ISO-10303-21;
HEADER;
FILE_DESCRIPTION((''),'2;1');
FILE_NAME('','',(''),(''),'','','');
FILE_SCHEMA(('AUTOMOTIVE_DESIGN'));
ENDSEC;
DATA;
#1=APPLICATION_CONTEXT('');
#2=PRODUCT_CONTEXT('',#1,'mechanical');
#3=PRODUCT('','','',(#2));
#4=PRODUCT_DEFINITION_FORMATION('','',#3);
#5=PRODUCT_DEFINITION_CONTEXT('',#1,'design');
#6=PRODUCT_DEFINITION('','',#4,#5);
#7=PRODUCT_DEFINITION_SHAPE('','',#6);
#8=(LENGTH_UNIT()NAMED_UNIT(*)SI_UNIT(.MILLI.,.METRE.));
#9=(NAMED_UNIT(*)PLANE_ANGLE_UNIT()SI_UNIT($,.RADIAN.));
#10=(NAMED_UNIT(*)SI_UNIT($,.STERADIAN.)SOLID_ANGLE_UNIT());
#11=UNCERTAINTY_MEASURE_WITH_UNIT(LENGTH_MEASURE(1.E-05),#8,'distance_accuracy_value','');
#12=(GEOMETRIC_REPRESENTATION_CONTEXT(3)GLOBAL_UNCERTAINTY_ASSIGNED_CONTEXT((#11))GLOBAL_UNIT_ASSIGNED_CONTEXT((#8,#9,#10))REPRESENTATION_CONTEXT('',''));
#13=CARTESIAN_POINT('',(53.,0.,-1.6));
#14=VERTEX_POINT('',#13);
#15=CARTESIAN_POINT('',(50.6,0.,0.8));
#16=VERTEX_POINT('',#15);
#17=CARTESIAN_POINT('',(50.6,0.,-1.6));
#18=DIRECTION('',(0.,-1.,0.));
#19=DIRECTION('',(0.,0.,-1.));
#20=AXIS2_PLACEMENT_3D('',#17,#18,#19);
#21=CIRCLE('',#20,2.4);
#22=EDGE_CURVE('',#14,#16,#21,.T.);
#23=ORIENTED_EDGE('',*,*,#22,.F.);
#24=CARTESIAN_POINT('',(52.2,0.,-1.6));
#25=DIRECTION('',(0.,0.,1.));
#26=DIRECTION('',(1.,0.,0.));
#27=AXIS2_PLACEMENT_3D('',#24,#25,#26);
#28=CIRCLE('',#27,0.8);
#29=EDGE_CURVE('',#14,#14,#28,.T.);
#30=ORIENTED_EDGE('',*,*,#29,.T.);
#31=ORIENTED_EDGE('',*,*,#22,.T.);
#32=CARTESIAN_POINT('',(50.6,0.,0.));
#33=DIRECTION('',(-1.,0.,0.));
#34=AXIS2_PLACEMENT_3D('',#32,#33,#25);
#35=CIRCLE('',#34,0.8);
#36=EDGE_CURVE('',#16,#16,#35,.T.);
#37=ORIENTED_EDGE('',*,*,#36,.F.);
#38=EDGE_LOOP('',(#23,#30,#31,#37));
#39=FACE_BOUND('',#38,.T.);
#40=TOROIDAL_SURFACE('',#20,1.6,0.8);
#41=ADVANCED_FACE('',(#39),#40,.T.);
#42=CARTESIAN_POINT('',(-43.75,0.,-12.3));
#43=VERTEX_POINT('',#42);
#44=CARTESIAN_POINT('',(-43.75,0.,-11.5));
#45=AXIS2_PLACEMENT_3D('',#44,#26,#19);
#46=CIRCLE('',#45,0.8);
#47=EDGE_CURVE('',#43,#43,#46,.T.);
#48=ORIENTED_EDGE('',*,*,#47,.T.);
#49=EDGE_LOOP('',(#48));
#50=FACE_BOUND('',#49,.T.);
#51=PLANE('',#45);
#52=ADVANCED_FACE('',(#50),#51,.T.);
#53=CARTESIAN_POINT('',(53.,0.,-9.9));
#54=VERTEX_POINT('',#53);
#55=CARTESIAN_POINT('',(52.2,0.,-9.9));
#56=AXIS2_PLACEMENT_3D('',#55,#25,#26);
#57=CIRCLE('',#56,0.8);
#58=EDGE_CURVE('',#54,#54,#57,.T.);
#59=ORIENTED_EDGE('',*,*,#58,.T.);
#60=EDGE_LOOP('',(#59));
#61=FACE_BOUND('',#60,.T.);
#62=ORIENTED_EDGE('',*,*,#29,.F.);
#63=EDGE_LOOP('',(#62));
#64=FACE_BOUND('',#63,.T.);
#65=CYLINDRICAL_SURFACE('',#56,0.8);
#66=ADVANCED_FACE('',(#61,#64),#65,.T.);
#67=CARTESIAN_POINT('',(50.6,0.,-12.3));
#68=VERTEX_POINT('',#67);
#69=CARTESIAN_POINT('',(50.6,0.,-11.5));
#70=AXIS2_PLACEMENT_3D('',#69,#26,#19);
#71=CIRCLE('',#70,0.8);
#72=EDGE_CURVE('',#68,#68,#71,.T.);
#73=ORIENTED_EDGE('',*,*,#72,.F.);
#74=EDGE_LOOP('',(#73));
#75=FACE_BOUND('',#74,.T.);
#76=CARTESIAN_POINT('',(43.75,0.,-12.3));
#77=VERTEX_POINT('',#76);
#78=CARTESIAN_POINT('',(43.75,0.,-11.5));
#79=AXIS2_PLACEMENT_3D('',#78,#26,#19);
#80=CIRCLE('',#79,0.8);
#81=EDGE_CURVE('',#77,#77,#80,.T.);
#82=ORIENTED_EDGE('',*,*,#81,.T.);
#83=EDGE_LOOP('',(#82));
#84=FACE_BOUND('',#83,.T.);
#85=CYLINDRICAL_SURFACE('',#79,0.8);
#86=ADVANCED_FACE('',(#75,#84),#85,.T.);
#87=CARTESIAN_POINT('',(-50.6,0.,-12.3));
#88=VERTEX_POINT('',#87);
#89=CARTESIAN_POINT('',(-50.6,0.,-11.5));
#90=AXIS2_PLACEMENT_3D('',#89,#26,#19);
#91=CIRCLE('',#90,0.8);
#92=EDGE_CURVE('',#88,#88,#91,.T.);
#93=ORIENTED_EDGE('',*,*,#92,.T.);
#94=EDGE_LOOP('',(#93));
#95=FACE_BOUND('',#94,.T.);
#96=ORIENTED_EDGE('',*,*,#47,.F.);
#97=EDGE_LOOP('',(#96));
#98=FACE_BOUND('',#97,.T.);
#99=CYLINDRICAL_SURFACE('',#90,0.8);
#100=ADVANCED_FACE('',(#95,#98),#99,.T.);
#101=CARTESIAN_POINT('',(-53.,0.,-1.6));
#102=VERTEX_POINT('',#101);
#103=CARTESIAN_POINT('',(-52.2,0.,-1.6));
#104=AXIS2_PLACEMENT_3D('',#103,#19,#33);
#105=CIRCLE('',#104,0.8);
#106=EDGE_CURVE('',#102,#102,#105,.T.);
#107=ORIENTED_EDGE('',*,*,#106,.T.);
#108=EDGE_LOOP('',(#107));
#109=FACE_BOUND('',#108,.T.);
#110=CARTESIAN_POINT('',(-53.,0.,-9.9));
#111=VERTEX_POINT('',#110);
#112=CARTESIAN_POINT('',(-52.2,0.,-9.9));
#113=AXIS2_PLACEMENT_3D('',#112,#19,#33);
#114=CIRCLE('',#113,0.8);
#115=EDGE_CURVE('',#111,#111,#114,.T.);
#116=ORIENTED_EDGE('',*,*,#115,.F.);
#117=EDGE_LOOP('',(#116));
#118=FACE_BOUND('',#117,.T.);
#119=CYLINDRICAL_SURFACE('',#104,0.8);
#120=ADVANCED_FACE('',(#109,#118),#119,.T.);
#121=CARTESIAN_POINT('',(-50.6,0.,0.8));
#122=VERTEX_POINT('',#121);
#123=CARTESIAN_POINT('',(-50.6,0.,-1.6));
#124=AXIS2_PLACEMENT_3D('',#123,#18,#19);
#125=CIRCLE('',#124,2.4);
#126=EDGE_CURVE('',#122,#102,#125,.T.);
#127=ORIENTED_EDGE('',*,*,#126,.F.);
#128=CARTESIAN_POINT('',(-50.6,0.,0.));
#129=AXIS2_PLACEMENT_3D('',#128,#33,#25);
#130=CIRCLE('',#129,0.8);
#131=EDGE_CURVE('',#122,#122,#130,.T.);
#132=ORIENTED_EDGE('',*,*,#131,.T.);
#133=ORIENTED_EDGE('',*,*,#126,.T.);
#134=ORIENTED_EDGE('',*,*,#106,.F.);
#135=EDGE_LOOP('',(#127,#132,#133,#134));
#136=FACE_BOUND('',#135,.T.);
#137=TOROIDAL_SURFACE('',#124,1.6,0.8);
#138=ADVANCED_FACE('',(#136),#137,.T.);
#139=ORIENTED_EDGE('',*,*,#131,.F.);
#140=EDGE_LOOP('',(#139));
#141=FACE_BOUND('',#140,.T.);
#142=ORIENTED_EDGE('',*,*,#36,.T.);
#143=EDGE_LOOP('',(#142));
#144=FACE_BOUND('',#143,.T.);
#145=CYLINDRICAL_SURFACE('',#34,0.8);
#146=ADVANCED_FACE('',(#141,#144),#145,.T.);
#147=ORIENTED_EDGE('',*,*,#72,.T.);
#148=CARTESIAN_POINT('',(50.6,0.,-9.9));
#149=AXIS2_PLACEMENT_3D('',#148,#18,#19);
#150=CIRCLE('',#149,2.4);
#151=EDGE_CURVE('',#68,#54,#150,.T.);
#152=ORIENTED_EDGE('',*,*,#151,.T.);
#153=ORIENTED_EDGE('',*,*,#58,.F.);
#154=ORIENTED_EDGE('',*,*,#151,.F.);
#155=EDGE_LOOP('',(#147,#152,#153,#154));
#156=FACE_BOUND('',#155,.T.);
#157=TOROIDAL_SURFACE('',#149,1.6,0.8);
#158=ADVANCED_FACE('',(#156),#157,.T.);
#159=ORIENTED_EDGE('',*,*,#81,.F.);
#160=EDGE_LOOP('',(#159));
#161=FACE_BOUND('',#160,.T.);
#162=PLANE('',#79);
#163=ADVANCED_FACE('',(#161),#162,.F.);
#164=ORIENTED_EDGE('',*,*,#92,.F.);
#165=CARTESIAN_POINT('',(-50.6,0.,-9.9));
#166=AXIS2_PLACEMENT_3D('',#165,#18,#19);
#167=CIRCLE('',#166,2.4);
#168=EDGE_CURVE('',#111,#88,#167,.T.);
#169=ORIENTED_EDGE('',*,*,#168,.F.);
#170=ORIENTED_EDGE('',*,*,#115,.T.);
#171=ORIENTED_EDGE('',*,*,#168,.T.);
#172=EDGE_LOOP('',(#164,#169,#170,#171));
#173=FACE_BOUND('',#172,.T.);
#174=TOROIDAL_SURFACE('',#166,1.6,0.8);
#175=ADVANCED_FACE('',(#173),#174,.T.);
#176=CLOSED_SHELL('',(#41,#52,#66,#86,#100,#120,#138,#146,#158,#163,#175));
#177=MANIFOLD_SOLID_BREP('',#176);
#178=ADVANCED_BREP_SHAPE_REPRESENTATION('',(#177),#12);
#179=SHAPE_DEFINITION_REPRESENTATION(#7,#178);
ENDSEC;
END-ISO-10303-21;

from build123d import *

# Parameters (mm, degrees)
SEGMENT_R = 0.8


with BuildPart() as part:
    # Wire 2: sweep along a path in Path
    with BuildLine(Plane(origin=(0, 0, 0), x_dir=(1, 0, 0), z_dir=(0, 1, 0))) as wire_2_path:
        Line((-43.75, 11.5), (-50.6, 11.5))
        ThreePointArc((-50.6, 11.5), (-51.73137085, 11.03137085), (-52.2, 9.9))
        Line((-52.2, 9.9), (-52.2, 1.6))
        ThreePointArc((-52.2, 1.6), (-51.73137085, 0.46862915), (-50.6, 0))
        Line((-50.6, 0), (50.6, 0))
        ThreePointArc((50.6, 0), (51.73137085, 0.46862915), (52.2, 1.6))
        Line((52.2, 1.6), (52.2, 9.9))
        ThreePointArc((52.2, 9.9), (51.73137085, 11.03137085), (50.6, 11.5))
        Line((50.6, 11.5), (43.75, 11.5))
    # Segment → Wire 2 (sweep)
    with BuildSketch(Plane(origin=(-43.75, 0, 0), x_dir=(0, 0, -1), z_dir=(1, 0, 0))):
        with Locations((11.5, 0)):
            Circle(SEGMENT_R)
    sweep(path=wire_2_path.line)


solid = part.part
